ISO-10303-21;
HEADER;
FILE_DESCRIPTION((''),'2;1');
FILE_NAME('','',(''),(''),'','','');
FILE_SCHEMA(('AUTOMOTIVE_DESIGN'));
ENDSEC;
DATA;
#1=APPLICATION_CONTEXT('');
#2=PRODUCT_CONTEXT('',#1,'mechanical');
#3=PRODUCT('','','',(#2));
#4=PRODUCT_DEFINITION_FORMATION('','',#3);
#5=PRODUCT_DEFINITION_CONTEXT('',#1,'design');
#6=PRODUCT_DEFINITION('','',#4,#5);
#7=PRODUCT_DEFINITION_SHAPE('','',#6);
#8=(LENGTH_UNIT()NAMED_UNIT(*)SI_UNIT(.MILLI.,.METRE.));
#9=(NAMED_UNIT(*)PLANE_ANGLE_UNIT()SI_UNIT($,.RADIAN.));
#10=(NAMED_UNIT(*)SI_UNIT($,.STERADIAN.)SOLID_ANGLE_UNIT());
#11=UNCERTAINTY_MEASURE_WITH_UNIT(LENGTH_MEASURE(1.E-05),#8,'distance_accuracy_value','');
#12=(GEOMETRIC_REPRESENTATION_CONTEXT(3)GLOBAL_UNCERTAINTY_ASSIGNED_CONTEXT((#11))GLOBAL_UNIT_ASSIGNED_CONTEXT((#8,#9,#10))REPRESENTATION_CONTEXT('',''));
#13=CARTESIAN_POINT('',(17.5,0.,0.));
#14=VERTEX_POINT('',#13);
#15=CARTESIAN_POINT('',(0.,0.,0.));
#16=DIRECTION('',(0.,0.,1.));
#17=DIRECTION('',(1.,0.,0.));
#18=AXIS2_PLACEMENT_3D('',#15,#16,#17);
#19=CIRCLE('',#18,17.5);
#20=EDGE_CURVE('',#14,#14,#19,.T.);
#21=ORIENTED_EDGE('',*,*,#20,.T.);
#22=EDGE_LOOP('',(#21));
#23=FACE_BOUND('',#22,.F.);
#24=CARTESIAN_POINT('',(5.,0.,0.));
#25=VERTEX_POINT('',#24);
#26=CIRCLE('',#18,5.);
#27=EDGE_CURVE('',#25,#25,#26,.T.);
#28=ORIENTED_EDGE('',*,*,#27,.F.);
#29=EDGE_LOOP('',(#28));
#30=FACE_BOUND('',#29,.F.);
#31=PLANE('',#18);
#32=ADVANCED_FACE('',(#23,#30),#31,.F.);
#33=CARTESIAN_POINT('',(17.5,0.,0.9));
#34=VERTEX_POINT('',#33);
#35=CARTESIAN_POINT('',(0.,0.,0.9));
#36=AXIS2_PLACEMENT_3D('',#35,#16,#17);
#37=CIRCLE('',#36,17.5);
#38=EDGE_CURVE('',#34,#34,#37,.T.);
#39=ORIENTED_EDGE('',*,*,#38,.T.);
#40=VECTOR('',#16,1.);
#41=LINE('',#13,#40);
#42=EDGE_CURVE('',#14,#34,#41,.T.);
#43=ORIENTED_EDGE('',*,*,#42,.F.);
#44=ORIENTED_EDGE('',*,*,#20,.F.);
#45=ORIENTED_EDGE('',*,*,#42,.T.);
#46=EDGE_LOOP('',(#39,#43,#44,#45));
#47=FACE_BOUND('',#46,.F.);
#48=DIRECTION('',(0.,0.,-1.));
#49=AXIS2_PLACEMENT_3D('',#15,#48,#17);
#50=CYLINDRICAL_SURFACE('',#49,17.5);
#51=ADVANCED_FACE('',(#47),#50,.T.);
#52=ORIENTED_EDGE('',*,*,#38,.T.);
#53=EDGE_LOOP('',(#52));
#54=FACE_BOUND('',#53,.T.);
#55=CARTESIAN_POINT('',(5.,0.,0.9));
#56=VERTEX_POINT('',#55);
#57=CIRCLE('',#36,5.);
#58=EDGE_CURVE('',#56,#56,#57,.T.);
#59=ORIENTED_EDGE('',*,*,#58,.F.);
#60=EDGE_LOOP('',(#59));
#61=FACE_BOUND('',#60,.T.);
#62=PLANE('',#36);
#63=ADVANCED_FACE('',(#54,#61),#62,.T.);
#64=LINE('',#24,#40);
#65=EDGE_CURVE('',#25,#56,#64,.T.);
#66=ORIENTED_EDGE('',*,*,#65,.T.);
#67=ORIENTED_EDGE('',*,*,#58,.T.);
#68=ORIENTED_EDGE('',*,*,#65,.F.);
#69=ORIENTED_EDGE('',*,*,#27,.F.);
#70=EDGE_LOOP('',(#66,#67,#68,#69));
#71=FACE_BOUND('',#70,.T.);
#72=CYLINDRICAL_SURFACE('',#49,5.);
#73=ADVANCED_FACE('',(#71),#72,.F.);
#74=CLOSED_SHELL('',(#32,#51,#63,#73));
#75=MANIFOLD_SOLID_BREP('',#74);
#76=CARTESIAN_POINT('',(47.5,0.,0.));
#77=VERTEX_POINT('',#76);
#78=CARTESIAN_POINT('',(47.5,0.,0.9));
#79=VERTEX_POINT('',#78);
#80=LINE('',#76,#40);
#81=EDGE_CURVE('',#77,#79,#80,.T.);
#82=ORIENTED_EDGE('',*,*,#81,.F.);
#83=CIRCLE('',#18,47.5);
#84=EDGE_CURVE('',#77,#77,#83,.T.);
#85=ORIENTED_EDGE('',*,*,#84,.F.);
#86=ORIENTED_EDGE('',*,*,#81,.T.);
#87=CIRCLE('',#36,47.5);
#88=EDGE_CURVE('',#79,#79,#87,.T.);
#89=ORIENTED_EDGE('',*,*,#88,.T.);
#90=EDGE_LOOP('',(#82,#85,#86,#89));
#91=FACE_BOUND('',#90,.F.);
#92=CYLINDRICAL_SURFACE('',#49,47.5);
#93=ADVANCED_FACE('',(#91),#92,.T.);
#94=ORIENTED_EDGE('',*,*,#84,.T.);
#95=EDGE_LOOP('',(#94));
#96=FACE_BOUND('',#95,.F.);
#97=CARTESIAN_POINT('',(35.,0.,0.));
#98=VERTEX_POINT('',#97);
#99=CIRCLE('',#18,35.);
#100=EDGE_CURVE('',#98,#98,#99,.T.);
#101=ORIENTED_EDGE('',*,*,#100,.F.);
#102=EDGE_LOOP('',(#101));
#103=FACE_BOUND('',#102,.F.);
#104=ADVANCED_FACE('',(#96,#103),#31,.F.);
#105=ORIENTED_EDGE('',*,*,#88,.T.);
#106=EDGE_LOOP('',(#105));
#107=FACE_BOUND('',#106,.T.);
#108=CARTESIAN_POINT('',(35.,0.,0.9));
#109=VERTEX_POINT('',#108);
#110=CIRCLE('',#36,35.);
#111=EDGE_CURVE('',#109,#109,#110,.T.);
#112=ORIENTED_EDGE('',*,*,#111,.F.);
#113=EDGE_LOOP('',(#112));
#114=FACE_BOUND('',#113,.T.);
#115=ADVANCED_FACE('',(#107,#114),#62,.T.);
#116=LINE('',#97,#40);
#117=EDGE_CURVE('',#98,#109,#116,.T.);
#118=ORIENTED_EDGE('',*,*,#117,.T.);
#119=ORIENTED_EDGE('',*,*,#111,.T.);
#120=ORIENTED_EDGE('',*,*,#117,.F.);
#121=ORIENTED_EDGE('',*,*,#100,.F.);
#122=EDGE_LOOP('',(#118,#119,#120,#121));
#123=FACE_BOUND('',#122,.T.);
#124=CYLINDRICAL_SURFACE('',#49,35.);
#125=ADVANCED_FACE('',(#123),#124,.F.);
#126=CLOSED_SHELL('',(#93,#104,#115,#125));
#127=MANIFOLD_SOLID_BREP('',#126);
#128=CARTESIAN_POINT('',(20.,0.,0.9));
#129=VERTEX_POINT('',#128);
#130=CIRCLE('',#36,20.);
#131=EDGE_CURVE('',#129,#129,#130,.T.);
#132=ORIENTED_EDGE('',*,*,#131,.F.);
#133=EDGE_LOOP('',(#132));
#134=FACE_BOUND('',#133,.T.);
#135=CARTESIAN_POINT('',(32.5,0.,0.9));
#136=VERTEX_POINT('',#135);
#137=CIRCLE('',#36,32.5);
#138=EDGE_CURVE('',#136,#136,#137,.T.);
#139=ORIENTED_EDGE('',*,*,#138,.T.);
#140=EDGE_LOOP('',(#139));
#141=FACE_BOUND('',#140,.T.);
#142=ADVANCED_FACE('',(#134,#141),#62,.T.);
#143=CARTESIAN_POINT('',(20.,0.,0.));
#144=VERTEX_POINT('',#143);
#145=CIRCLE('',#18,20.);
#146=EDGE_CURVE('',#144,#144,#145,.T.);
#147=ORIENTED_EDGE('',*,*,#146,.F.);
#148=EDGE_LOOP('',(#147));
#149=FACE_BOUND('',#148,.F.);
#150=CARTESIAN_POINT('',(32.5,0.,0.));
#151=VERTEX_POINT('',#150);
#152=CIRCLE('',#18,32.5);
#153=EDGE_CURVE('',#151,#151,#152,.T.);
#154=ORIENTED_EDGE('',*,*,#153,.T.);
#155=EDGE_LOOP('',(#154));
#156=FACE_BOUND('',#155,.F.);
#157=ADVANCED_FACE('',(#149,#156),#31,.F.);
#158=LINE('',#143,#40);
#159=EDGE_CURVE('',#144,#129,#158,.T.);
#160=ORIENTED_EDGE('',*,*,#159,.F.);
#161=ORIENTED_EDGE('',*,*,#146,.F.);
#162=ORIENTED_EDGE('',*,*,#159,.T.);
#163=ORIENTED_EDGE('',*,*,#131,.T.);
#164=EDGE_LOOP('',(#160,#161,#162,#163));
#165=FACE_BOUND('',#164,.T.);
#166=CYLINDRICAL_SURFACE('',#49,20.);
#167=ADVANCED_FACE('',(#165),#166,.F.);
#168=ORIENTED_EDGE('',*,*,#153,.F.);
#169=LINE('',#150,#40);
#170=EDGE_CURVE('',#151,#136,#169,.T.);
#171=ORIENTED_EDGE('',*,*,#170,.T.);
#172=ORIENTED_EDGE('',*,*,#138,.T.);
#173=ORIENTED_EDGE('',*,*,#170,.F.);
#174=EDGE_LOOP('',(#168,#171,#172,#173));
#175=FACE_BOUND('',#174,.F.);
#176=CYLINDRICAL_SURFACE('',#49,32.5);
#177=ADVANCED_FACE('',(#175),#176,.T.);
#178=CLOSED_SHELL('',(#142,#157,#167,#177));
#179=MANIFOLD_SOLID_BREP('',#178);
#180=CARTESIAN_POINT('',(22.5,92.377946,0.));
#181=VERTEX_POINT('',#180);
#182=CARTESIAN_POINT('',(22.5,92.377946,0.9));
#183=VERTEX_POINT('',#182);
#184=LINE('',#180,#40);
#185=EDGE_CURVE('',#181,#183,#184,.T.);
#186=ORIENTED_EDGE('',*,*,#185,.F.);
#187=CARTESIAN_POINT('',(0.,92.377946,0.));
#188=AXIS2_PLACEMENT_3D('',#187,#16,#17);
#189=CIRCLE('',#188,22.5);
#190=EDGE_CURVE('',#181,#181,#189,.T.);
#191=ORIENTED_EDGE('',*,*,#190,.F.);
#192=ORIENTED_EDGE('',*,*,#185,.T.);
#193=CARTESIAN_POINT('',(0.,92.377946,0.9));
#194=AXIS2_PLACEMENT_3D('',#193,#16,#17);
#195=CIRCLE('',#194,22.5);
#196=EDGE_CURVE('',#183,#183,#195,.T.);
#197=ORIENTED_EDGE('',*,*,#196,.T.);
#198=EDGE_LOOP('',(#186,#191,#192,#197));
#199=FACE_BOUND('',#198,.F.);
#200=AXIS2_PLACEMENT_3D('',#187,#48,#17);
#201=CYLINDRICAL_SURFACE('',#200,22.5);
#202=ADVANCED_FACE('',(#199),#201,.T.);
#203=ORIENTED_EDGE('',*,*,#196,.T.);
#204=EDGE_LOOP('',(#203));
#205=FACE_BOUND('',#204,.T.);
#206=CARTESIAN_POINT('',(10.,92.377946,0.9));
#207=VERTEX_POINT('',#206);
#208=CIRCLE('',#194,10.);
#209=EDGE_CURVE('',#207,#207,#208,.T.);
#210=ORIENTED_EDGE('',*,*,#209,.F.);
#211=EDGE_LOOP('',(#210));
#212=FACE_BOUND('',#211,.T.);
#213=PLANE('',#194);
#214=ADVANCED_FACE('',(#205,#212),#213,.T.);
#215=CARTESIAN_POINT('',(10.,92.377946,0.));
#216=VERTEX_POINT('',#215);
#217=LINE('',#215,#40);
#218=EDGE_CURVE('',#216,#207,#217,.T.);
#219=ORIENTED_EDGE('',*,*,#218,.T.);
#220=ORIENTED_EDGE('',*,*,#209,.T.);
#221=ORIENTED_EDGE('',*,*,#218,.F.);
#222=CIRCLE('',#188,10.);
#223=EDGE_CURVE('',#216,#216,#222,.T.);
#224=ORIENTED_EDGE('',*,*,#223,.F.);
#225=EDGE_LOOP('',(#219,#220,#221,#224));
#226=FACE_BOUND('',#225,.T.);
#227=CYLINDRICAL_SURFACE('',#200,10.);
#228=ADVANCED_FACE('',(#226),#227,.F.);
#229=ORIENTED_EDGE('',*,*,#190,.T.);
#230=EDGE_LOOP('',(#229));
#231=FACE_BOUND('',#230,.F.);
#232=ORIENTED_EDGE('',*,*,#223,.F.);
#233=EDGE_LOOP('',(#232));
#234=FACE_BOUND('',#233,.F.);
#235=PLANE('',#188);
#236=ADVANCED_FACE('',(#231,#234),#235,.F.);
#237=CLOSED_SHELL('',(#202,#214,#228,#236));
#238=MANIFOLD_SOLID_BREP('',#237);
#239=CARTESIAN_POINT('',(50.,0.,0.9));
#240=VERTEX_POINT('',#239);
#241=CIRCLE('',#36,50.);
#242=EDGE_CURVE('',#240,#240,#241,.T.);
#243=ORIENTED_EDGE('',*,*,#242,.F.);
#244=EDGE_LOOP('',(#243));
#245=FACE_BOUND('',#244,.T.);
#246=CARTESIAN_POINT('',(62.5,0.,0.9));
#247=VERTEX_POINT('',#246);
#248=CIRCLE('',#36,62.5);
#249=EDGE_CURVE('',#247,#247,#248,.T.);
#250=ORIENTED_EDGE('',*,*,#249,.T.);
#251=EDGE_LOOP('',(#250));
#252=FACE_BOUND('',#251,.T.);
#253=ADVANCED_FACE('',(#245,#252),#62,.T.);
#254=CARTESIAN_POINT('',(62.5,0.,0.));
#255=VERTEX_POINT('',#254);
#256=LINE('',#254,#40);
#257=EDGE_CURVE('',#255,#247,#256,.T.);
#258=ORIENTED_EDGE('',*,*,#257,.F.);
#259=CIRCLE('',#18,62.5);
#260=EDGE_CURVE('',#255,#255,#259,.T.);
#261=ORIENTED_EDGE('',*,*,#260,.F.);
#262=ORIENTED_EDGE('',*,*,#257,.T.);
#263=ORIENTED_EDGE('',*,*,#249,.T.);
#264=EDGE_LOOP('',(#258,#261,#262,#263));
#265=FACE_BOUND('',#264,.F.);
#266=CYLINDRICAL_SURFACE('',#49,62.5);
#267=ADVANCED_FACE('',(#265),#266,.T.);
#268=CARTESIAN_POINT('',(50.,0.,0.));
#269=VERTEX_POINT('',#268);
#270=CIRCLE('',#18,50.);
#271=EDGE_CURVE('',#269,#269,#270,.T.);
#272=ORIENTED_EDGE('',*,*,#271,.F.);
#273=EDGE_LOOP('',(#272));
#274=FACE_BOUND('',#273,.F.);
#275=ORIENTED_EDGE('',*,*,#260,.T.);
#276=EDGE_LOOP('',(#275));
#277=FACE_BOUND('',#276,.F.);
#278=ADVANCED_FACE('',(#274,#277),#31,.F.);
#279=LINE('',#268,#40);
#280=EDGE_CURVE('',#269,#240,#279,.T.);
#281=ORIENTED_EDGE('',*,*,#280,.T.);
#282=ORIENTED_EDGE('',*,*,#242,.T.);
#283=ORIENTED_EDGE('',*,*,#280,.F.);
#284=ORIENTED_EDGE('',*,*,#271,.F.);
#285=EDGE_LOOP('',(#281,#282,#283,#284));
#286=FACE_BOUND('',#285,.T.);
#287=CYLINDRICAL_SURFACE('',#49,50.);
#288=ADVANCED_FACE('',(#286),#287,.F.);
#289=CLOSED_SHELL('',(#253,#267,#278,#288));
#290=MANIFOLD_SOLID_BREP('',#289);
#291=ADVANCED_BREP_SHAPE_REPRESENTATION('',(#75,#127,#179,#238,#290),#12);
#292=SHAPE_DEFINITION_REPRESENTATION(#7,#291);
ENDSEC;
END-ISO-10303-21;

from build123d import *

# Parameters (mm, degrees)
F0_R     = 62.5
F0_R_2   = 50
F0_R_3   = 47.5
F0_R_4   = 35
F0_R_5   = 32.5
F0_R_6   = 20
F0_R_7   = 17.5
F0_R_8   = 5
F0_R_9   = 22.5
F0_R_10  = 10
F1_DEPTH = 0.9


with BuildPart() as f1:
    # F0 (on Top) → F1 (new body)
    with BuildSketch(Plane.XY):
        Circle(F0_R)
        Circle(F0_R_2, mode=Mode.SUBTRACT)
        Circle(F0_R_3)
        Circle(F0_R_4, mode=Mode.SUBTRACT)
        Circle(F0_R_5)
        Circle(F0_R_6, mode=Mode.SUBTRACT)
        Circle(F0_R_7)
        Circle(F0_R_8, mode=Mode.SUBTRACT)
        with Locations((0, 92.377946)):
            Circle(F0_R_9)
        with Locations((0, 92.377946)):
            Circle(F0_R_10, mode=Mode.SUBTRACT)
    extrude(amount=F1_DEPTH)


solid = f1.part
